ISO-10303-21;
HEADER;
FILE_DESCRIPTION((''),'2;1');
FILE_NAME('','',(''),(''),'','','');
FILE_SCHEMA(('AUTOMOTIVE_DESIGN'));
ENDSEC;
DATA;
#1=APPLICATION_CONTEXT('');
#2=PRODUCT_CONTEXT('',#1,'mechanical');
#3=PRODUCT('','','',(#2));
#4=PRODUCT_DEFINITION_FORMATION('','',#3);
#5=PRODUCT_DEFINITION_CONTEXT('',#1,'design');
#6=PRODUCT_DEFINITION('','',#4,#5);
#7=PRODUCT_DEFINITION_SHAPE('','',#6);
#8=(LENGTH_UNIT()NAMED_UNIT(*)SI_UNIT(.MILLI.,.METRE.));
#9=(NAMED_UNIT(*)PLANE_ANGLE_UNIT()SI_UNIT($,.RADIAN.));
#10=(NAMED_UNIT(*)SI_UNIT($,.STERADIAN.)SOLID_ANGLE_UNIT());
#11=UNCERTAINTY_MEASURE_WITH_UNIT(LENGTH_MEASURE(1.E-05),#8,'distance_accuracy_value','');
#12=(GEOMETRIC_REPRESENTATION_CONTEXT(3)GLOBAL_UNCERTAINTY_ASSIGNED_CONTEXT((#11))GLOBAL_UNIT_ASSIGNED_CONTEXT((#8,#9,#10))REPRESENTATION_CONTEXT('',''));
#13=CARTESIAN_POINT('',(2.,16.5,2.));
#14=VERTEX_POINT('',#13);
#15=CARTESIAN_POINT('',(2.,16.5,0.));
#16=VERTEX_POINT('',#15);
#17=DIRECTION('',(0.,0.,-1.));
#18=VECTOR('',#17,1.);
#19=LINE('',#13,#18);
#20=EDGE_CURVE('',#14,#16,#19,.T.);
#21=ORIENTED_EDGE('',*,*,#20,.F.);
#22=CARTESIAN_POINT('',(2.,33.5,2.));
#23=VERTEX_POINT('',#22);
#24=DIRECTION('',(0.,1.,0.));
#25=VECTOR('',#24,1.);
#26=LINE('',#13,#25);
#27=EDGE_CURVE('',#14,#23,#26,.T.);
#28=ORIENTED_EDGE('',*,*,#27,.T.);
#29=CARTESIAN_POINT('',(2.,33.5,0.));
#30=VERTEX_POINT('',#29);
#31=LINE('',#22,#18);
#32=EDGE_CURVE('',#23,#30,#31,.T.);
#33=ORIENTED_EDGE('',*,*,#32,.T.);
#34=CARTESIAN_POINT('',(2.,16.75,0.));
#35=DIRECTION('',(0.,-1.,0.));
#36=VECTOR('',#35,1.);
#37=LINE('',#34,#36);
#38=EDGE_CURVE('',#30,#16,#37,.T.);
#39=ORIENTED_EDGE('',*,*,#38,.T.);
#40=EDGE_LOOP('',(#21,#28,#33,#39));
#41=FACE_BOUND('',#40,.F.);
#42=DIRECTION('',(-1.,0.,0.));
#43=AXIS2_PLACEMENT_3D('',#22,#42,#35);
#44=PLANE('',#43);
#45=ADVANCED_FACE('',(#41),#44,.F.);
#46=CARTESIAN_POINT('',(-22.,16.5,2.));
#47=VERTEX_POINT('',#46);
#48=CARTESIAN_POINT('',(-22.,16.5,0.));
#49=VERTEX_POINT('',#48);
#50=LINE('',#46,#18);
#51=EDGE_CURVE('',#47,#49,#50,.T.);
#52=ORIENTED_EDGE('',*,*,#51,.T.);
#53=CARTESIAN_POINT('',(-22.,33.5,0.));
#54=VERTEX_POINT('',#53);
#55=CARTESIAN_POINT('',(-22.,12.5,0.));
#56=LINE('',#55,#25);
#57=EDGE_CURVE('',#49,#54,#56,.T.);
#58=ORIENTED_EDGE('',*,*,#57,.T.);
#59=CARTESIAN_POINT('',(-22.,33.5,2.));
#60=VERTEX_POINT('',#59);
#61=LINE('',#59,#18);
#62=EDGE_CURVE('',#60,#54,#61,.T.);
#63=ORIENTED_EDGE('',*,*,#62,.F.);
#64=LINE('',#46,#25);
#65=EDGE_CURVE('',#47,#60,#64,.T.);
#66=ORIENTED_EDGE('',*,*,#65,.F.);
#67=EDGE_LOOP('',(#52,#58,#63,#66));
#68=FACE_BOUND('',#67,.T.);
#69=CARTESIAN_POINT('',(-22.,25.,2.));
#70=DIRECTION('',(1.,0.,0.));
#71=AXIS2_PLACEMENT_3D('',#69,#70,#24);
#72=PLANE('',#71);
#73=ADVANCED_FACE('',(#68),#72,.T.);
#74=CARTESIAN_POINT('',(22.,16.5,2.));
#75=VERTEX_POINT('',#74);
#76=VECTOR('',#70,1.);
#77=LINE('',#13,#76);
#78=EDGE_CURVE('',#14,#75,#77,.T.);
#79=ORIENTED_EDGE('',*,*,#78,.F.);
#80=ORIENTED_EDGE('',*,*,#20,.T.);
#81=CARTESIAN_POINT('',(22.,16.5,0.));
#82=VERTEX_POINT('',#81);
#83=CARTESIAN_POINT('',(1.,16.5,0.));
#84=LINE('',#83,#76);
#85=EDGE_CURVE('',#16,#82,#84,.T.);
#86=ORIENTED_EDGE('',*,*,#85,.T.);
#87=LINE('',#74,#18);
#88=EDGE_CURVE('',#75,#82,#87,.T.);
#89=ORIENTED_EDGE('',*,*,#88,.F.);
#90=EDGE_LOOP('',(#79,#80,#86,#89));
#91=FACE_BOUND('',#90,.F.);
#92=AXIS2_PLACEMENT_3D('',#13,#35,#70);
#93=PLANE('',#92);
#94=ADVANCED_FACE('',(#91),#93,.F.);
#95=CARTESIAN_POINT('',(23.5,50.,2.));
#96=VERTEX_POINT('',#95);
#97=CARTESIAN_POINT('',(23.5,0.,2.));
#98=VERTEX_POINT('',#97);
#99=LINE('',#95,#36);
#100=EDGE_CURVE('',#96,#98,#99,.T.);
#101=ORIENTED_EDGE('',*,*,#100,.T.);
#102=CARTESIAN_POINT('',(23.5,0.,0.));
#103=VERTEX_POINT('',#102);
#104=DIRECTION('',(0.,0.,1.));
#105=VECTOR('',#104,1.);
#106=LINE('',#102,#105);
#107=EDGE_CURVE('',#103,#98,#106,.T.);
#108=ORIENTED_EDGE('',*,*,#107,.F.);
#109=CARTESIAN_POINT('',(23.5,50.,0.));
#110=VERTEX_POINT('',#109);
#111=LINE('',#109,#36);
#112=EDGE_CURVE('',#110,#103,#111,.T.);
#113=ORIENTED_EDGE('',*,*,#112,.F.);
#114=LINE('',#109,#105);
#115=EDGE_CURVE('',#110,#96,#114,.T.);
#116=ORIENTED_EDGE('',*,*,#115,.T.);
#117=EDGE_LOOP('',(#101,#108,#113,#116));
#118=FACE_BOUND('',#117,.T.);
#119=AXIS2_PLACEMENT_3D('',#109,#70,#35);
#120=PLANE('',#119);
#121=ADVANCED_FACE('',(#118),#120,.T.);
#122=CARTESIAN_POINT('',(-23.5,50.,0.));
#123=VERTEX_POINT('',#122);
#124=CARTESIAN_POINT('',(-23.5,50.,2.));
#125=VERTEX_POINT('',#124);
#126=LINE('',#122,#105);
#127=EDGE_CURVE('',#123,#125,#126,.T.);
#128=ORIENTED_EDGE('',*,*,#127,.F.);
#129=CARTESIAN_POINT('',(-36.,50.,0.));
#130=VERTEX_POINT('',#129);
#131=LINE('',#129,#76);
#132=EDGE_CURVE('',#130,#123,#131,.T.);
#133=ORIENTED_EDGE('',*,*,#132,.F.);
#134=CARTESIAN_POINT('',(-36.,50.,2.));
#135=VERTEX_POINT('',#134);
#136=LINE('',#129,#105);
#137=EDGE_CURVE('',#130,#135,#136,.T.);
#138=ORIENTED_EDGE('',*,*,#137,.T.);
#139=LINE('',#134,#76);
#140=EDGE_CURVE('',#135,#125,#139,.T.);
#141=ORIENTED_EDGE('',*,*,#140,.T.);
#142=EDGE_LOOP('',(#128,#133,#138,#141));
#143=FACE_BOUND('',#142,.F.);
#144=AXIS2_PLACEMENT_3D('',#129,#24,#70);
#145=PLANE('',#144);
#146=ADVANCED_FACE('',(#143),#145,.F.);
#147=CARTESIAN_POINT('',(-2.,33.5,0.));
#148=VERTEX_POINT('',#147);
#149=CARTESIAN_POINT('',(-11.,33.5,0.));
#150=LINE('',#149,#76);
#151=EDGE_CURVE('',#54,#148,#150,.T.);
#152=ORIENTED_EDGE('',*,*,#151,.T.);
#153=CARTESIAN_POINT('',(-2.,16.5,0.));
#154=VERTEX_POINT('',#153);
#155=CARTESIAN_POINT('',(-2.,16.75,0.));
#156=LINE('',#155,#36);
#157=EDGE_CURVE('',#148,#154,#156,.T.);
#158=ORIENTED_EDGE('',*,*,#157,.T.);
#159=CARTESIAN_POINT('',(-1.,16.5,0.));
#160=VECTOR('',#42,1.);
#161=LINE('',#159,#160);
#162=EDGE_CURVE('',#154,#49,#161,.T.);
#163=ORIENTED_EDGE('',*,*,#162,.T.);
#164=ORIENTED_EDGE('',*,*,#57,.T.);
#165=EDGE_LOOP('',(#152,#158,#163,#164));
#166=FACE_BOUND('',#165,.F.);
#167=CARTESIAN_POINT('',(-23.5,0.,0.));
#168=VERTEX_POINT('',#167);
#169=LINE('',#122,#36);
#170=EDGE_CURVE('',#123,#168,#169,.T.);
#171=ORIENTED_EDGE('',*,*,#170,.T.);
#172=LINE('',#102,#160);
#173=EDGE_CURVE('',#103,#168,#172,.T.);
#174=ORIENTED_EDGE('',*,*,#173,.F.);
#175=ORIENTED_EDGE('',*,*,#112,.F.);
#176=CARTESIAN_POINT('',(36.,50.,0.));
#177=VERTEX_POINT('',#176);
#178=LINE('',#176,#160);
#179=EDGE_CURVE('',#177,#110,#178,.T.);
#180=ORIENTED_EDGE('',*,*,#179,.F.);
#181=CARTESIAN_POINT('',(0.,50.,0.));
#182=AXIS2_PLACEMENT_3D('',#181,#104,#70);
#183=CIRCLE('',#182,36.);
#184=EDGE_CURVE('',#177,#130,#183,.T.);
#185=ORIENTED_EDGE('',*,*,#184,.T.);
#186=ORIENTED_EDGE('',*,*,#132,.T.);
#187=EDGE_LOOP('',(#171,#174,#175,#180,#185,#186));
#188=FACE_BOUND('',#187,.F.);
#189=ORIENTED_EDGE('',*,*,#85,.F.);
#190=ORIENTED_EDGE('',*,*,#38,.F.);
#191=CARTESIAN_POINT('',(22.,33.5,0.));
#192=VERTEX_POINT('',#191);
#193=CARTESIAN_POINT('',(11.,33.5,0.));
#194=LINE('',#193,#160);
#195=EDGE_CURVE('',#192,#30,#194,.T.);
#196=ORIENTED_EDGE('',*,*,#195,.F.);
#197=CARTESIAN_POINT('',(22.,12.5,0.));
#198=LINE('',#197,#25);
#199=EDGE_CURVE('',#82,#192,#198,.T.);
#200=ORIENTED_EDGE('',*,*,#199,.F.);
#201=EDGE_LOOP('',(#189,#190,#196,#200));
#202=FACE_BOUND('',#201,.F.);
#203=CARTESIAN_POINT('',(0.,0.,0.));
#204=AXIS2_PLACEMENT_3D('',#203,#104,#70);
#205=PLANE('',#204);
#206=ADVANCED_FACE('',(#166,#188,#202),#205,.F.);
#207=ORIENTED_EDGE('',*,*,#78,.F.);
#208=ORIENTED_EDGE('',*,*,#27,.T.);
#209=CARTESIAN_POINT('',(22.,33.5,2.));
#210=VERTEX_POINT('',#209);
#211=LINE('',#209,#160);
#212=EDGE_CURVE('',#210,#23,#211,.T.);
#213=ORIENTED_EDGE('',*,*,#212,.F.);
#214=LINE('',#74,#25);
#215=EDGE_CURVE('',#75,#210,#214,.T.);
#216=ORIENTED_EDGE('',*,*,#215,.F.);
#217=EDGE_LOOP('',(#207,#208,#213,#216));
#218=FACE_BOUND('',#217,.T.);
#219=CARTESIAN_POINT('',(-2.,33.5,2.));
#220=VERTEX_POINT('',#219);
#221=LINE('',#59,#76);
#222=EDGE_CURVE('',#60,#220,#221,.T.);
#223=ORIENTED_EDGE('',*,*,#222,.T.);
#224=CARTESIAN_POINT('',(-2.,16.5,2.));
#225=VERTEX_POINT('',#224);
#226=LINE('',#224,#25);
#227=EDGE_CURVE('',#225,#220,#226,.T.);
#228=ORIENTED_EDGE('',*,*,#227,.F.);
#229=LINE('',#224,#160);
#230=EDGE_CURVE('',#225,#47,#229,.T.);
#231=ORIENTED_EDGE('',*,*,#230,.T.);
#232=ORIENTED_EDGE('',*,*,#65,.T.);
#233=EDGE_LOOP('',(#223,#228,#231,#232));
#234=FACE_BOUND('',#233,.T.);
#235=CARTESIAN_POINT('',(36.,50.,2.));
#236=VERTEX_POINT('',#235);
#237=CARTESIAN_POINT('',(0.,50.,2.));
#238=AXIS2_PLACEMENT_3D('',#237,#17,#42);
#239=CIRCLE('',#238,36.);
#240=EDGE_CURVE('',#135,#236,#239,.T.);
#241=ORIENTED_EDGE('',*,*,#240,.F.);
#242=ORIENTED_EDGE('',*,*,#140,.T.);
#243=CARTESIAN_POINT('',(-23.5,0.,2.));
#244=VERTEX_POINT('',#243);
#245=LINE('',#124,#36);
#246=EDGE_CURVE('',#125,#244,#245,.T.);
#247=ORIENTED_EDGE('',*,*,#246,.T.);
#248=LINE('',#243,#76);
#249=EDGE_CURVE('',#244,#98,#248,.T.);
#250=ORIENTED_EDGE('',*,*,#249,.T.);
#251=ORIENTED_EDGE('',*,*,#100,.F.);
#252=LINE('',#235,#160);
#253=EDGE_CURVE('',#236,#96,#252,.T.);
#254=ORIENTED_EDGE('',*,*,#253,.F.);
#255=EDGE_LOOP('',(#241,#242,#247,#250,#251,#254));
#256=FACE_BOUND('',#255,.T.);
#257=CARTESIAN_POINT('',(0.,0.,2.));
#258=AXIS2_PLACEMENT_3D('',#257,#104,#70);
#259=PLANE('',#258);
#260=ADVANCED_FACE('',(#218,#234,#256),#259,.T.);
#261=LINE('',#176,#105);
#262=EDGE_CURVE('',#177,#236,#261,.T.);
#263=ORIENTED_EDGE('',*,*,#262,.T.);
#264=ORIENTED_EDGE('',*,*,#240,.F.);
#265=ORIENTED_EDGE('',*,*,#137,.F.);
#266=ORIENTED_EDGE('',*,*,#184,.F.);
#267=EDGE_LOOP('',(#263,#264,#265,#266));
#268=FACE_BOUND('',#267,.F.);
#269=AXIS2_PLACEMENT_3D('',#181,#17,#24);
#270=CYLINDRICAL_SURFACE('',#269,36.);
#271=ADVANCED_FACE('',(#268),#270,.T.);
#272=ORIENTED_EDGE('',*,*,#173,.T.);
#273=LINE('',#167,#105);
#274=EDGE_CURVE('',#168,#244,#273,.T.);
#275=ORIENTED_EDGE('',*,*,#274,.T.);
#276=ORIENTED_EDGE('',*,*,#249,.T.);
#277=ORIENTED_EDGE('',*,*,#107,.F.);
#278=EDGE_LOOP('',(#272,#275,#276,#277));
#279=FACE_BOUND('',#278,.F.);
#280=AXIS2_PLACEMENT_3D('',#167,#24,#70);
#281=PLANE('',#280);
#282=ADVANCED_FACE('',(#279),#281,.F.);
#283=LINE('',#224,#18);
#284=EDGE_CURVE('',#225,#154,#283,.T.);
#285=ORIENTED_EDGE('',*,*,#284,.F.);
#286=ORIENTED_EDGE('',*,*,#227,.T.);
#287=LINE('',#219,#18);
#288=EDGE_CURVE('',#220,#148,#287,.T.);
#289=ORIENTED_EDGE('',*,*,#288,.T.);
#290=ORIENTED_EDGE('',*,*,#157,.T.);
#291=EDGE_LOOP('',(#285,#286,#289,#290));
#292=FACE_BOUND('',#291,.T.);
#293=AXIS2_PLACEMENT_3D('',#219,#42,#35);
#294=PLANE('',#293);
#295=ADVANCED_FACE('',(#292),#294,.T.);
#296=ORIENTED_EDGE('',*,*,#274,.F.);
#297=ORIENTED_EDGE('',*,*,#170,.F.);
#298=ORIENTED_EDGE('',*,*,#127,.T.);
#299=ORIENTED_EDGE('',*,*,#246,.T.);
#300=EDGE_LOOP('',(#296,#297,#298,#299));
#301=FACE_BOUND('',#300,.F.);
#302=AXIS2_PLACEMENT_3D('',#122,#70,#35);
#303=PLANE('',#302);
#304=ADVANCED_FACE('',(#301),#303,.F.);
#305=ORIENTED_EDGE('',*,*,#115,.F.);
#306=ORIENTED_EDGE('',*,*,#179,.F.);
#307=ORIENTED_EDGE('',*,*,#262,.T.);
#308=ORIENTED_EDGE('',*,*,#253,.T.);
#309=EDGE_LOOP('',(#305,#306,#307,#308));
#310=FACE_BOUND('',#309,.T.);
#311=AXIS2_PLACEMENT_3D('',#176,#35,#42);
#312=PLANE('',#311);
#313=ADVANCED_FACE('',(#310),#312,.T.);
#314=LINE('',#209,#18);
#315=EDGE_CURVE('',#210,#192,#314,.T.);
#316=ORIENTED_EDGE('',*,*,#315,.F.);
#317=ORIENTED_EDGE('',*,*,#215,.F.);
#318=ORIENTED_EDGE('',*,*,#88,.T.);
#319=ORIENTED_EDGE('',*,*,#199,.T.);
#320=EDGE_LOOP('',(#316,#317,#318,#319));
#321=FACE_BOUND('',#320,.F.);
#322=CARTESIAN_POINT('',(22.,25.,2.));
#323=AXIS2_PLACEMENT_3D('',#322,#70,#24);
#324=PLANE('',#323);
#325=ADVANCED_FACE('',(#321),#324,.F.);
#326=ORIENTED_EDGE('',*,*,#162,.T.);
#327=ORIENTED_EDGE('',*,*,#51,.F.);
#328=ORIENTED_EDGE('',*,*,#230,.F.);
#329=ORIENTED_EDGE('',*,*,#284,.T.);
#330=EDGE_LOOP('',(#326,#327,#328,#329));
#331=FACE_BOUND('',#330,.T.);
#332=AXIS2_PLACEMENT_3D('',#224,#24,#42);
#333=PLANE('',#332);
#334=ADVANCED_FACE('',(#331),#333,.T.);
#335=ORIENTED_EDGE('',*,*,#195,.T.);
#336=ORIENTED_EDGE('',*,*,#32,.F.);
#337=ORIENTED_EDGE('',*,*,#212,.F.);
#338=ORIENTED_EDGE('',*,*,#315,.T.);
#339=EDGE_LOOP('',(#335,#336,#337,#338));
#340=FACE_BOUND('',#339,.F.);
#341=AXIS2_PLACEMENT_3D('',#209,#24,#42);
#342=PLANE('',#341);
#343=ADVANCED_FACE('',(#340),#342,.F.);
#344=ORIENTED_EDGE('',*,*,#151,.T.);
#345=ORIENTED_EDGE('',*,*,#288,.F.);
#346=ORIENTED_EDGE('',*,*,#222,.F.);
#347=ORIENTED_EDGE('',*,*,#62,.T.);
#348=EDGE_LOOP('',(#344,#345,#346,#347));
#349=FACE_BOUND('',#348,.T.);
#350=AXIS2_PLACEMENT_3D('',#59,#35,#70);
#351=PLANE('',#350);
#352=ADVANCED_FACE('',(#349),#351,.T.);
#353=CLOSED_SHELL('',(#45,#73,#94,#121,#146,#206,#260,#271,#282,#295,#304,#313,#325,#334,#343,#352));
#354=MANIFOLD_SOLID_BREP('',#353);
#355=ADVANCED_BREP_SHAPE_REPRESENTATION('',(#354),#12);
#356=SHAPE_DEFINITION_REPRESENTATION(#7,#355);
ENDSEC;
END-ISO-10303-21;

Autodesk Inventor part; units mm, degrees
ref_plane "YZ Plane" through (0, 0, 0) normal (1, 0, 0) x (0, 1, 0)
ref_plane "XZ Plane" through (0, 0, 0) normal (0, 1, 0) x (-1, 0, 0)
ref_plane "XY Plane" through (0, 0, 0) normal (0, 0, 1) x (1, 0, 0)
sketch "Sketch1" plane through (0, 0, 0) normal (0, 0, 1) x (1, 0, 0)
  line L0 (-36, 50) -> (-23.5, 50)
  line L1 (-23.5, 50) -> (-23.5, 0)
  line L2 (-23.5, 0) -> (0, 0)
  arc A0 (0, 86) -> (-36, 50) centre (0, 50) ccw
  line L3 (0, 0) -> (0, 227.422)
  line L4 (0, 50) -> (-63.2946, 50) construction
  line L5 (36, 50) -> (23.5, 50)
  line L6 (23.5, 50) -> (23.5, 0)
  line L7 (23.5, 0) -> (0, 0)
  arc A1 (36, 50) -> (0, 86) centre (0, 50) ccw
  point P0 (0, 0)
  dimension "d4" = 36
  dimension "d5" = 50
  dimension "d6" = 47
extrude "Micromouse1.2.kicad_pcb_Outline" add sketch "Sketch1" along normal blind 2
sketch "Sketch3" plane through (0, 0, 2) normal (0, 0, 1) x (1, 0, 0)
  line L0 (-23.5, 0) -> (23.5, 0) projected
  line L1 (23.5, 0) -> (23.5, 50) projected
  line L2 (23.5, 50) -> (36, 50) projected
  arc A0 (36, 50) -> (-36, 50) centre (0, 50) ccw projected
  line L3 (-36, 50) -> (-23.5, 50) projected
  line L4 (-23.5, 50) -> (-23.5, 0) projected
  line L5 (-57.2581, 25) -> (65.9372, 25)
  line L6 (0, 50) -> (0, -46.1681)
  line L7 (-22, 33.5) -> (-2, 33.5)
  line L8 (-2, 33.5) -> (-2, 16.5)
  line L9 (-2, 16.5) -> (-22, 16.5)
  line L10 (-22, 16.5) -> (-22, 33.5)
  line L11 (22, 33.5) -> (2, 33.5)
  line L12 (2, 33.5) -> (2, 16.5)
  line L13 (2, 16.5) -> (22, 16.5)
  line L14 (22, 16.5) -> (22, 33.5)
  point P0 (0, 0)
  point P1 (-30, 25)
  point P2 (-2, 25)
  dimension "d7" = 25
  dimension "d8" = 17
  dimension "d9" = 20
  dimension "d10" = 4
extrude "Extrusion3" cut sketch "Sketch3" against normal through all contours L10 L7 L8 L5 | L5 L8 L9 L10 | L12 L11 L14 L5 | L5 L14 L13 L12
sketch "Sketch4" plane through (0, 0, 2) normal (0, 0, 1) x (1, 0, 0)
  line L0 (-22, 16.5) -> (-22, 33.5) projected
  line L1 (-22, 33.5) -> (-2, 33.5) projected
  line L2 (-2, 33.5) -> (-2, 16.5) projected
  line L3 (-2, 16.5) -> (-22, 16.5) projected
  line L4 (22, 33.5) -> (22, 16.5) projected
  line L5 (22, 16.5) -> (2, 16.5) projected
  line L6 (2, 16.5) -> (2, 33.5) projected
  line L7 (2, 33.5) -> (22, 33.5) projected
  line L8 (-23.5, 0) -> (23.5, 0) projected
  line L9 (23.5, 0) -> (23.5, 50) projected
  line L10 (23.5, 50) -> (36, 50) projected
  arc A0 (36, 50) -> (-36, 50) centre (0, 50) ccw projected
  line L11 (-36, 50) -> (-23.5, 50) projected
  line L12 (-23.5, 50) -> (-23.5, 0) projected
  circle A1 centre (-26, 40) radius 0.5
  line L13 (0, 50) -> (0, -21.7733)
  line L14 (-26, 40) -> (-26, -11.7525) construction
  line L15 (-22, 16.5) -> (-22, 33.5) projected
  line L16 (-22, 25) -> (-54.7599, 25)
  circle A2 centre (-26, 10) radius 0.5
  circle A3 centre (26, 40) radius 0.5
  circle A4 centre (26, 10) radius 0.5
  point P0 (0, 0)
  dimension "d13" = 1
  dimension "d14" = 52
  dimension "d17" = 30
extrude "Extrusion4" cut sketch "Sketch4" against normal through all contours A1 | A2 | A3 | A4
hole "Hole1" [suppressed]
hole "Hole2" [suppressed]
hole "Hole3" [suppressed]
hole "Hole4" [suppressed]
properties part number "Micromouse_pcb"
